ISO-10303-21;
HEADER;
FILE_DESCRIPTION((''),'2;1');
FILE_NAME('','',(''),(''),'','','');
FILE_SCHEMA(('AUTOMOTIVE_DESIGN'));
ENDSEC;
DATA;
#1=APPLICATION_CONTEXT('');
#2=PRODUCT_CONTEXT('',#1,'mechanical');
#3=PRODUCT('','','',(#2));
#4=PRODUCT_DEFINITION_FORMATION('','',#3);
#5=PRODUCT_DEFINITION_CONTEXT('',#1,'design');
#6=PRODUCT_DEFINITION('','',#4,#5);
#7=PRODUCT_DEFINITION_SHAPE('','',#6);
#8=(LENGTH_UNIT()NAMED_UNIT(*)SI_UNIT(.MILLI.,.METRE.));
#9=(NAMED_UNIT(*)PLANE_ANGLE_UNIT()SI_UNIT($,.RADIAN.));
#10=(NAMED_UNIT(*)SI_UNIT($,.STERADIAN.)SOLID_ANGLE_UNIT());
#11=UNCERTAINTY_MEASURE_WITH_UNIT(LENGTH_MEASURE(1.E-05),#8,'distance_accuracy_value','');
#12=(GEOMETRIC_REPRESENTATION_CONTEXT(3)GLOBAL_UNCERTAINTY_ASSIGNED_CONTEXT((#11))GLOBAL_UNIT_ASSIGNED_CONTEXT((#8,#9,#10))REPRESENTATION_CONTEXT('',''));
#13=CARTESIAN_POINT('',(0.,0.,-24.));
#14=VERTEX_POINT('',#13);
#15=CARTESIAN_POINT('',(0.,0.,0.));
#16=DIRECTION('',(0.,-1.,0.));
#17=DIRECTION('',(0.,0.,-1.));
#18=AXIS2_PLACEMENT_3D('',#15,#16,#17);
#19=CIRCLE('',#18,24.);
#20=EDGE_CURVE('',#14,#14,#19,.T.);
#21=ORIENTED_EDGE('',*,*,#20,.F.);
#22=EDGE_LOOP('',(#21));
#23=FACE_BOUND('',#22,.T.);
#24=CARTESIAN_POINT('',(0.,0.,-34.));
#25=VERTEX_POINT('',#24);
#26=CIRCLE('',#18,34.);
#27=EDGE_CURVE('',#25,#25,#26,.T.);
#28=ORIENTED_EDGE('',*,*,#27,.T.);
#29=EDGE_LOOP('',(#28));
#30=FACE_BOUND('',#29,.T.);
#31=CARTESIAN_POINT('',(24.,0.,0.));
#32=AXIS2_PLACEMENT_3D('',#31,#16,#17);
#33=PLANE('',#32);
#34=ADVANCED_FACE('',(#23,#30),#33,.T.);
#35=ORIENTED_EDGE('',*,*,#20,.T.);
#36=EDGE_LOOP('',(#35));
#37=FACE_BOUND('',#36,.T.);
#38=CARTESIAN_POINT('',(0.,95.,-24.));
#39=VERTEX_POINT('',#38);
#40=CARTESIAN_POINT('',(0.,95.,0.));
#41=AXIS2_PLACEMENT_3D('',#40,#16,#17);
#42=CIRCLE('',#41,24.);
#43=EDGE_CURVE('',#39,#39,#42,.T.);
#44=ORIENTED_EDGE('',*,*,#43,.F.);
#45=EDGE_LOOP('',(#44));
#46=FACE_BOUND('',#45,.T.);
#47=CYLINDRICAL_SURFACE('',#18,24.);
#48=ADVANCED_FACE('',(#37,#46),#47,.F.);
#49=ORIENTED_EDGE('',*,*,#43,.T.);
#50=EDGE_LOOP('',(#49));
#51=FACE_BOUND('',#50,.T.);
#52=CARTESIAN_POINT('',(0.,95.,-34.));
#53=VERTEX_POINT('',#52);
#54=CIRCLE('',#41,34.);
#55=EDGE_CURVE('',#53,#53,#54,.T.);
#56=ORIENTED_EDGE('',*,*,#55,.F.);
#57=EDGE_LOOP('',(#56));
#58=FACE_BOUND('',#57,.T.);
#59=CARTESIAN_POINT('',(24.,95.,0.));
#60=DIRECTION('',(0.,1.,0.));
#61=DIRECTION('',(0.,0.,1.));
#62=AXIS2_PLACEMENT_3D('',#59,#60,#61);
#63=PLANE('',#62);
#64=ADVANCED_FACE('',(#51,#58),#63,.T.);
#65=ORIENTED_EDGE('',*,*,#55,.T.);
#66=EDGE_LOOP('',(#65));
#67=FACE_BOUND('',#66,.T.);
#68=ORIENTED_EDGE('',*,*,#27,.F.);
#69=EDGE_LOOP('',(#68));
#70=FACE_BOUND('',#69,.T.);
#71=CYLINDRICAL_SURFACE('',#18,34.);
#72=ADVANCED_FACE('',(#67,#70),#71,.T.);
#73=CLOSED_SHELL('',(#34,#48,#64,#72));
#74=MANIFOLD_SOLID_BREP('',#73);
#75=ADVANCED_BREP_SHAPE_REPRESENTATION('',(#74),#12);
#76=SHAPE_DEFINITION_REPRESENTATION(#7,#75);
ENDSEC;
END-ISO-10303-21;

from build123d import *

# Parameters (mm, degrees)
CROQUIS1_W = 10
CROQUIS1_H = 95


with BuildPart() as part:
    # Croquis1 → Revolución1 (revolve)
    with BuildSketch(Plane.XY):
        with Locations((29, 47.5)):
            Rectangle(CROQUIS1_W, CROQUIS1_H)
    revolve(axis=Axis((0, 0, 0), (0, 1, 0)))


solid = part.part
